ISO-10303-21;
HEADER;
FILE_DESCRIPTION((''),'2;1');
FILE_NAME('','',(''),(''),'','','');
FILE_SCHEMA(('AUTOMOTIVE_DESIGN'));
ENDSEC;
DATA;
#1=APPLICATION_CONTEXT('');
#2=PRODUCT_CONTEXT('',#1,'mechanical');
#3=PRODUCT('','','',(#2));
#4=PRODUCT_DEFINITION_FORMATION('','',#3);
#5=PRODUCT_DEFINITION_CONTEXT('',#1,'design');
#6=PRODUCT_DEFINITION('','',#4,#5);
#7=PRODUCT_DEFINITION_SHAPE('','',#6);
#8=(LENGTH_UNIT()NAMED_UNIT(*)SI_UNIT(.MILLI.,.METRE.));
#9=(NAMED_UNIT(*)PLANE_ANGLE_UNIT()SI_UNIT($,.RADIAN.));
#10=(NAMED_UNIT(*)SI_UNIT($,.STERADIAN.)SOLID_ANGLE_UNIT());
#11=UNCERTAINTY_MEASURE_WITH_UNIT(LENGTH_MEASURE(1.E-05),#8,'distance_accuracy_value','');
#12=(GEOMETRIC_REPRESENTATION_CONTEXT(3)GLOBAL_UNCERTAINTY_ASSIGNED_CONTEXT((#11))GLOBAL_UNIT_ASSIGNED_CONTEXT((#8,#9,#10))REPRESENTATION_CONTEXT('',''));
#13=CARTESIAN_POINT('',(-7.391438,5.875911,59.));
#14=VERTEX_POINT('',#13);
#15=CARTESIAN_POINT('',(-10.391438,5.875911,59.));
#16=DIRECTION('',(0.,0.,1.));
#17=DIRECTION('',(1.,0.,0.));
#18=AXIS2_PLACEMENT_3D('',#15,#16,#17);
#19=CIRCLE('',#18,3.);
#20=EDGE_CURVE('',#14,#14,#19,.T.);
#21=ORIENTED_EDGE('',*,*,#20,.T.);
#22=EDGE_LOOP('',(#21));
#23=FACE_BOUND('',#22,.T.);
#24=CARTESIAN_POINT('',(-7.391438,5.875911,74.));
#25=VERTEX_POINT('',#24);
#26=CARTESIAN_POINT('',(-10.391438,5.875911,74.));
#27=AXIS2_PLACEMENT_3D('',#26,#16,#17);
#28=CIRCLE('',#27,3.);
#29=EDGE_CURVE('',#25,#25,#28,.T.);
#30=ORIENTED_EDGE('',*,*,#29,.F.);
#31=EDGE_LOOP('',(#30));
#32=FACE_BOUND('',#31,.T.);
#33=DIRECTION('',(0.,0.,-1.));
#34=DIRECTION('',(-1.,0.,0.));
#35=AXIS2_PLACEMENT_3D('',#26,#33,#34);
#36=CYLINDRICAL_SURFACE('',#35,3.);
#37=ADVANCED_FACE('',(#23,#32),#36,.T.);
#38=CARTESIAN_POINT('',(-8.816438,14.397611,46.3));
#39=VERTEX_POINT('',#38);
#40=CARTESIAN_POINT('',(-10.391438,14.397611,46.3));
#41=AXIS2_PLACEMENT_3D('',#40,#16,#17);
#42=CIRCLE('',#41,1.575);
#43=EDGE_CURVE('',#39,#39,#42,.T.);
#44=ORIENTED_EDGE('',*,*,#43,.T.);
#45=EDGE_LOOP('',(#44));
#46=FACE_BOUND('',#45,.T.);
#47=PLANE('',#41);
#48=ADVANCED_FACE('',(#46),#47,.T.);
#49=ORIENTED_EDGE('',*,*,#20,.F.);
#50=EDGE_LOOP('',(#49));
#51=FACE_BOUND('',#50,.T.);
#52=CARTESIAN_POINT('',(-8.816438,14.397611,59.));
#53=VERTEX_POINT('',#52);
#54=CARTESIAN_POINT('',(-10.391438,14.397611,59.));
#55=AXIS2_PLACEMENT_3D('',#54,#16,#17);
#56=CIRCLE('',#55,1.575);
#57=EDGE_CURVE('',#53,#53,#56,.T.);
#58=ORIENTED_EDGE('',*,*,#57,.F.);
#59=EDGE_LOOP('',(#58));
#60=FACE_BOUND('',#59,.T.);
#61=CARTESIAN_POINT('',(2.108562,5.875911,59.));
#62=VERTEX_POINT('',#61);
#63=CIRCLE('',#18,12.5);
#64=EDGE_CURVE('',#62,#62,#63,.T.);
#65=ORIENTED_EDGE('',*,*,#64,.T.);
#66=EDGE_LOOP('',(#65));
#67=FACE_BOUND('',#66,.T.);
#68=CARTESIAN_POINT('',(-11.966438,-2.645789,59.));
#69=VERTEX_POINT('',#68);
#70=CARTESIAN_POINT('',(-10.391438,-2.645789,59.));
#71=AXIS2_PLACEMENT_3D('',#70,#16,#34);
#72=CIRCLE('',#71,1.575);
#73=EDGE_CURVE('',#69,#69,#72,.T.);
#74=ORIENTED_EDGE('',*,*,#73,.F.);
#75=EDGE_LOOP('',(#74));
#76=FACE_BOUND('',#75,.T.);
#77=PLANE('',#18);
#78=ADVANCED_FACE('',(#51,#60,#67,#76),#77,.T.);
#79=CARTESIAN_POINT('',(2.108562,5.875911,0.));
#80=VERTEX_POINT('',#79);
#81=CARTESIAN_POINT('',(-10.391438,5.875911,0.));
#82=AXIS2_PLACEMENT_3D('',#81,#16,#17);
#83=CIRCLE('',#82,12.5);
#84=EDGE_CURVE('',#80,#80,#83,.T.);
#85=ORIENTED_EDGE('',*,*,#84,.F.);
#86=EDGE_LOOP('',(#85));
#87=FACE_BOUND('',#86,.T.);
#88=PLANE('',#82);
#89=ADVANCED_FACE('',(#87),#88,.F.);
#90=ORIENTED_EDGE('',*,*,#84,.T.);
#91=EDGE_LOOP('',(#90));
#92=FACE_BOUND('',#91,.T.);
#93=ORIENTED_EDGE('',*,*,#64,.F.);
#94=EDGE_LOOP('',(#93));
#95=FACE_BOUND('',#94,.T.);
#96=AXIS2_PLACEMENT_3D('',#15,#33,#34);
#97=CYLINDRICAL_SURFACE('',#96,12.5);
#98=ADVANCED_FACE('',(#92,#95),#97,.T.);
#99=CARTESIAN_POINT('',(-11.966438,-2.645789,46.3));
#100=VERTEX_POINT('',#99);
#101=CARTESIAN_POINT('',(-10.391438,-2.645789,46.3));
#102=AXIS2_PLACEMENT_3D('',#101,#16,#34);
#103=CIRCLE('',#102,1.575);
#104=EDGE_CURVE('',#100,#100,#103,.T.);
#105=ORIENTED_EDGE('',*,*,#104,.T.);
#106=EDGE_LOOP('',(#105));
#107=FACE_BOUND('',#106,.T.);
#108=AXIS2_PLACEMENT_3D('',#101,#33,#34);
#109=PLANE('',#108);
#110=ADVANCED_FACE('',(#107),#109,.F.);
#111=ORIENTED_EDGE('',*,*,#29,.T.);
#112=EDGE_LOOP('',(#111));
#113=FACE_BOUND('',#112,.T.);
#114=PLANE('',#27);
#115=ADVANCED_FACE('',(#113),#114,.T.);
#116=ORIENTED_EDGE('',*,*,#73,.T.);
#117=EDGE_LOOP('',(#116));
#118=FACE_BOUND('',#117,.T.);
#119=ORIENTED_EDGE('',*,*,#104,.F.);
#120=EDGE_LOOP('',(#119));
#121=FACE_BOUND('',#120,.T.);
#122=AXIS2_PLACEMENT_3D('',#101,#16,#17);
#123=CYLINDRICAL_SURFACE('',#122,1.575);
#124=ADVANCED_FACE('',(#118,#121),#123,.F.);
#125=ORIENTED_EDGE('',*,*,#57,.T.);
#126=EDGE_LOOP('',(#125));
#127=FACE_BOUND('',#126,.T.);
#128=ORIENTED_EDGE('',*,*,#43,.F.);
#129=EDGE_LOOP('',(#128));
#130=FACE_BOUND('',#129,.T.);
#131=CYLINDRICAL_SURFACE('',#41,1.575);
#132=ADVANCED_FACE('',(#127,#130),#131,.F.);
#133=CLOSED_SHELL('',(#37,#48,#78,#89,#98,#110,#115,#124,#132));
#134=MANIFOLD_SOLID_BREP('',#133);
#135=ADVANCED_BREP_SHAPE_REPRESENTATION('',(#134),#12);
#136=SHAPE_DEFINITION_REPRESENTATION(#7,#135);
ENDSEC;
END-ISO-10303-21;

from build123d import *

# Parameters (mm, degrees)
SKETCH1_R           = 12.5
BOSS_EXTRUDE1_DEPTH = 59
SKETCH2_R           = 1.575
CUT_EXTRUDE1_DEPTH  = 12.7
SKETCH3_R           = 3
BOSS_EXTRUDE2_DEPTH = 15


with BuildPart() as part:
    # Sketch1 → Boss-Extrude1 (new body)
    with BuildSketch(Plane.XY):
        with Locations((-10.391437804, 5.875911401)):
            Circle(SKETCH1_R)
    extrude(amount=BOSS_EXTRUDE1_DEPTH)

    # Sketch2 → Cut-Extrude1 (cut)
    with BuildSketch(Plane.XY.offset(59)):
        with Locations((-10.391437804, 14.397611401)):
            Circle(SKETCH2_R)
        with Locations(Location((-10.391437804, -2.645788599, 0), (0, 0, 180))):
            Circle(SKETCH2_R)
    extrude(amount=-CUT_EXTRUDE1_DEPTH, mode=Mode.SUBTRACT)

    # Sketch3 → Boss-Extrude2 (add)
    with BuildSketch(Plane.XY.offset(59)):
        with Locations((-10.391437804, 5.875911401)):
            Circle(SKETCH3_R)
    extrude(amount=BOSS_EXTRUDE2_DEPTH)


solid = part.part
